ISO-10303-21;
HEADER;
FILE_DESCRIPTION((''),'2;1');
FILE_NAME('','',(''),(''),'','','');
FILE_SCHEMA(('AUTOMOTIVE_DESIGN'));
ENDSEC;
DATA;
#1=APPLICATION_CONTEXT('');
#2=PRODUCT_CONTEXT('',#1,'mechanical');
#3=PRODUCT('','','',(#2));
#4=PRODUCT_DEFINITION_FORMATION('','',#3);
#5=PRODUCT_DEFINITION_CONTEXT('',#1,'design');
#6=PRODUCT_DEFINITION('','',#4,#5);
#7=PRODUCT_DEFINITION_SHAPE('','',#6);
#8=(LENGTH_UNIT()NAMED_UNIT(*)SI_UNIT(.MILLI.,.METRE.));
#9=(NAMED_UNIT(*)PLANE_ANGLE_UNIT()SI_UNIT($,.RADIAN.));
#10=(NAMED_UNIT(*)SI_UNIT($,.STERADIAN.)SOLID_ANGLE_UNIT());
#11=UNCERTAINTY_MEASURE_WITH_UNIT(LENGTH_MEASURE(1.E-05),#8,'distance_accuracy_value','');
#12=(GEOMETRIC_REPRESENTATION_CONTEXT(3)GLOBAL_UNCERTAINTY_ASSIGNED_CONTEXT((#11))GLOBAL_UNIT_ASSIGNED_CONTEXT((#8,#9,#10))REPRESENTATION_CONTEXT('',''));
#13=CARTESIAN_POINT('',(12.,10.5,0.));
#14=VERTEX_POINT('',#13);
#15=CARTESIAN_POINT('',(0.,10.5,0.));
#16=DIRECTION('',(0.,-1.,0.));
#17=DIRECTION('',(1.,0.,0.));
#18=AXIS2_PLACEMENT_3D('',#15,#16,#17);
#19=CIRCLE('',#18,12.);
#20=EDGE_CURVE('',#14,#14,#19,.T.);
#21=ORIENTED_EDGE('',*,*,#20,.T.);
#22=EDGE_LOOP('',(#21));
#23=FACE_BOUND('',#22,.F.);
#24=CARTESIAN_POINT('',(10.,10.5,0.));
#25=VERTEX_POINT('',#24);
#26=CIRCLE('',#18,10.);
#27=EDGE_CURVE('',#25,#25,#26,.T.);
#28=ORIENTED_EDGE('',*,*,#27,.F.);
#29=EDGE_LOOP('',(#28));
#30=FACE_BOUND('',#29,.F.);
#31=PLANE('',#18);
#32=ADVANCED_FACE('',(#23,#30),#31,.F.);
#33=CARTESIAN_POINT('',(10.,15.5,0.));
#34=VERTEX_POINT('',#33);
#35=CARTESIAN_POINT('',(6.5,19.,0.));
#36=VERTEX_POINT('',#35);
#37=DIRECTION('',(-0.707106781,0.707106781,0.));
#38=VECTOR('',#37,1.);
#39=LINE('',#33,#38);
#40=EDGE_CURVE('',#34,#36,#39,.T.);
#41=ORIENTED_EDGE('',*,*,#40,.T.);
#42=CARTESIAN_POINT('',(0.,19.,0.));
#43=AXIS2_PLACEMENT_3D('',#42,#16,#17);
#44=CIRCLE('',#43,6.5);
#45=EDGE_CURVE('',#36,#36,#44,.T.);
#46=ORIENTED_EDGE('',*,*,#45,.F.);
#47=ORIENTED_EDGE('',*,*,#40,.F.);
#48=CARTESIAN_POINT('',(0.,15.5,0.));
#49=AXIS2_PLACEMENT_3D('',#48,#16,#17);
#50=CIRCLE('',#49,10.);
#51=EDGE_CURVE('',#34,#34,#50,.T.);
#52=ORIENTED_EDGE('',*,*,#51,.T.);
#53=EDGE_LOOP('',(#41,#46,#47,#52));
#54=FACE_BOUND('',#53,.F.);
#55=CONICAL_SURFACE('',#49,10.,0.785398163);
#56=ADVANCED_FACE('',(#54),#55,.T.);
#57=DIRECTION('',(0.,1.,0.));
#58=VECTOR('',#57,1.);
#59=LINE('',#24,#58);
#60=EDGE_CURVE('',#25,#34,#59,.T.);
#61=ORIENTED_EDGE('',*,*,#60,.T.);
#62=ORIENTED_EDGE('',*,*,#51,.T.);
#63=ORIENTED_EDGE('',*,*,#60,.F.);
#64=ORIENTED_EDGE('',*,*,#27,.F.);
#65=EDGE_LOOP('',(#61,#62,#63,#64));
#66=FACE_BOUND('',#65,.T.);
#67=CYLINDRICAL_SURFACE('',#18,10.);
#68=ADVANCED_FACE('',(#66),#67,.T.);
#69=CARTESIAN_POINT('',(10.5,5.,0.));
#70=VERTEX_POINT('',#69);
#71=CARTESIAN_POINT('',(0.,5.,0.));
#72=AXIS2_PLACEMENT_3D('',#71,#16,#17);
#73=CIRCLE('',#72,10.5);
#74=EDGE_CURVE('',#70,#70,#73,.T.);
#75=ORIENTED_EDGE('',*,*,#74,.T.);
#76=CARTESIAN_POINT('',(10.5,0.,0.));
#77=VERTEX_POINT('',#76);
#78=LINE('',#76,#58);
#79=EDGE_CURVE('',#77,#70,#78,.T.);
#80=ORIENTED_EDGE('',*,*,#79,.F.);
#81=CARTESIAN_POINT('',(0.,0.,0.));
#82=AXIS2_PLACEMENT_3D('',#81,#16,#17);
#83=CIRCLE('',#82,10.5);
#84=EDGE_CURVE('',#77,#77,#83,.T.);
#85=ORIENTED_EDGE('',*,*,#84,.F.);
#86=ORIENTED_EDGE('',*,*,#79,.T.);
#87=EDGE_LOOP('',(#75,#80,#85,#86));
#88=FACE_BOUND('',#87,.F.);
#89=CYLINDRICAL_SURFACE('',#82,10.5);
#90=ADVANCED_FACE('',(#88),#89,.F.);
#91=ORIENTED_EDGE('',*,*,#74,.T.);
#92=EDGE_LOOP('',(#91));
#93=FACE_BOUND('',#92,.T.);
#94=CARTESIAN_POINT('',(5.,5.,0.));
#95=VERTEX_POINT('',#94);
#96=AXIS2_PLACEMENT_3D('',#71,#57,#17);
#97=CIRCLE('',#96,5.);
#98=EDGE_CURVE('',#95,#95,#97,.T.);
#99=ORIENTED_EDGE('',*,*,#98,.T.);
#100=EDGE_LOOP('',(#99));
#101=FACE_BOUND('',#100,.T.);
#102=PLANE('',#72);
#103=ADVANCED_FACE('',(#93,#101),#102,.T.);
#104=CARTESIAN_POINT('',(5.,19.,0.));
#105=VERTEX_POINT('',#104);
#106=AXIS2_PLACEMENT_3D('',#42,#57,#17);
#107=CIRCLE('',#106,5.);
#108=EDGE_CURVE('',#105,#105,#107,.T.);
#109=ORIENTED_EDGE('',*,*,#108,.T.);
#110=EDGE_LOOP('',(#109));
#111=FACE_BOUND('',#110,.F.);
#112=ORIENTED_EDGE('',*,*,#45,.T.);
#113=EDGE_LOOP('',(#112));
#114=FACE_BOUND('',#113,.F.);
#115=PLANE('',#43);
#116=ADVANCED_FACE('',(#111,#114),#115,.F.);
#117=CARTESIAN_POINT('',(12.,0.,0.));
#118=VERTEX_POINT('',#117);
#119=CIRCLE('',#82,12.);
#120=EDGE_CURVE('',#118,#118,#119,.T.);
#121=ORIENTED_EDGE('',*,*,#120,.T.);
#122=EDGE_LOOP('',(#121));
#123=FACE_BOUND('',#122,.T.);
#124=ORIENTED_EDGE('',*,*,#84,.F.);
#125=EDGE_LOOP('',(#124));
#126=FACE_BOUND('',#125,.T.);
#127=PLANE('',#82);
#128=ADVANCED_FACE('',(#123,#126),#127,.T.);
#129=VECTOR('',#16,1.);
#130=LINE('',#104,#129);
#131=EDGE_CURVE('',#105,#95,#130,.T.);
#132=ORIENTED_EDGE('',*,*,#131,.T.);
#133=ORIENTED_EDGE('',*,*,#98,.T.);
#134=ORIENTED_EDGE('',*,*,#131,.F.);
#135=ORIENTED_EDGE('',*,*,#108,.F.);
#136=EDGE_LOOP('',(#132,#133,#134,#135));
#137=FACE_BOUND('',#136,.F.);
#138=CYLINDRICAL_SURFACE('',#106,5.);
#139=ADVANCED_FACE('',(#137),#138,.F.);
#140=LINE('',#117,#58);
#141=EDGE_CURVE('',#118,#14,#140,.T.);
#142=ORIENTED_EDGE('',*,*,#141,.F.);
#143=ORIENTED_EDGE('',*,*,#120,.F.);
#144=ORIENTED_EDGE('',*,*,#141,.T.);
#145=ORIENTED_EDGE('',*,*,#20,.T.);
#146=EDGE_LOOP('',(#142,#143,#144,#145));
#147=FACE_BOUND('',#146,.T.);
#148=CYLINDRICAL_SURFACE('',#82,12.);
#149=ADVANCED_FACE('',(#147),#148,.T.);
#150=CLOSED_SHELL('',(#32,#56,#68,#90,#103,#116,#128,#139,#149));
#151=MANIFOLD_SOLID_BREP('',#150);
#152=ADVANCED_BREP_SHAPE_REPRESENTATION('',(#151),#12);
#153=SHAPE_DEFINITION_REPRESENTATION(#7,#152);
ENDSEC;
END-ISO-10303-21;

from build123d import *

# Parameters (mm, degrees)
F0_R     = 12
F1_DEPTH = 19
F3_R     = 12
F3_R_2   = 10
F4_DEPTH = 13
F6_R     = 5
F7_DEPTH = 25
F8_R     = 10.5
F9_DEPTH = 5
F10_SIZE = 3.5


with BuildPart() as f1:
    # F0 (on Front) → F1 (new body)
    with BuildSketch(Plane.XZ):
        Circle(F0_R)
    extrude(amount=-F1_DEPTH)

    # F3 (on offset) → F4 (cut)
    with BuildSketch(Plane.XZ.offset(-10.5)):
        Circle(F3_R)
        Circle(F3_R_2, mode=Mode.SUBTRACT)
    extrude(amount=-F4_DEPTH, mode=Mode.SUBTRACT)

    # F6 (on offset) → F7 (cut)
    with BuildSketch(Plane(origin=(0, 19, 0), x_dir=(1, 0, 0), z_dir=(0, 1, 0))):
        Circle(F6_R)
    extrude(amount=-F7_DEPTH, mode=Mode.SUBTRACT)

    # F8 (on Front) → F9 (cut)
    with BuildSketch(Plane.XZ):
        Circle(F8_R)
    extrude(amount=-F9_DEPTH, mode=Mode.SUBTRACT)

    # F10
    f10_edges = [f1.edges().sort_by_distance(p)[0] for p in [
        (-10, 19, 0),
    ]]
    chamfer(f10_edges, length=F10_SIZE)


solid = f1.part
